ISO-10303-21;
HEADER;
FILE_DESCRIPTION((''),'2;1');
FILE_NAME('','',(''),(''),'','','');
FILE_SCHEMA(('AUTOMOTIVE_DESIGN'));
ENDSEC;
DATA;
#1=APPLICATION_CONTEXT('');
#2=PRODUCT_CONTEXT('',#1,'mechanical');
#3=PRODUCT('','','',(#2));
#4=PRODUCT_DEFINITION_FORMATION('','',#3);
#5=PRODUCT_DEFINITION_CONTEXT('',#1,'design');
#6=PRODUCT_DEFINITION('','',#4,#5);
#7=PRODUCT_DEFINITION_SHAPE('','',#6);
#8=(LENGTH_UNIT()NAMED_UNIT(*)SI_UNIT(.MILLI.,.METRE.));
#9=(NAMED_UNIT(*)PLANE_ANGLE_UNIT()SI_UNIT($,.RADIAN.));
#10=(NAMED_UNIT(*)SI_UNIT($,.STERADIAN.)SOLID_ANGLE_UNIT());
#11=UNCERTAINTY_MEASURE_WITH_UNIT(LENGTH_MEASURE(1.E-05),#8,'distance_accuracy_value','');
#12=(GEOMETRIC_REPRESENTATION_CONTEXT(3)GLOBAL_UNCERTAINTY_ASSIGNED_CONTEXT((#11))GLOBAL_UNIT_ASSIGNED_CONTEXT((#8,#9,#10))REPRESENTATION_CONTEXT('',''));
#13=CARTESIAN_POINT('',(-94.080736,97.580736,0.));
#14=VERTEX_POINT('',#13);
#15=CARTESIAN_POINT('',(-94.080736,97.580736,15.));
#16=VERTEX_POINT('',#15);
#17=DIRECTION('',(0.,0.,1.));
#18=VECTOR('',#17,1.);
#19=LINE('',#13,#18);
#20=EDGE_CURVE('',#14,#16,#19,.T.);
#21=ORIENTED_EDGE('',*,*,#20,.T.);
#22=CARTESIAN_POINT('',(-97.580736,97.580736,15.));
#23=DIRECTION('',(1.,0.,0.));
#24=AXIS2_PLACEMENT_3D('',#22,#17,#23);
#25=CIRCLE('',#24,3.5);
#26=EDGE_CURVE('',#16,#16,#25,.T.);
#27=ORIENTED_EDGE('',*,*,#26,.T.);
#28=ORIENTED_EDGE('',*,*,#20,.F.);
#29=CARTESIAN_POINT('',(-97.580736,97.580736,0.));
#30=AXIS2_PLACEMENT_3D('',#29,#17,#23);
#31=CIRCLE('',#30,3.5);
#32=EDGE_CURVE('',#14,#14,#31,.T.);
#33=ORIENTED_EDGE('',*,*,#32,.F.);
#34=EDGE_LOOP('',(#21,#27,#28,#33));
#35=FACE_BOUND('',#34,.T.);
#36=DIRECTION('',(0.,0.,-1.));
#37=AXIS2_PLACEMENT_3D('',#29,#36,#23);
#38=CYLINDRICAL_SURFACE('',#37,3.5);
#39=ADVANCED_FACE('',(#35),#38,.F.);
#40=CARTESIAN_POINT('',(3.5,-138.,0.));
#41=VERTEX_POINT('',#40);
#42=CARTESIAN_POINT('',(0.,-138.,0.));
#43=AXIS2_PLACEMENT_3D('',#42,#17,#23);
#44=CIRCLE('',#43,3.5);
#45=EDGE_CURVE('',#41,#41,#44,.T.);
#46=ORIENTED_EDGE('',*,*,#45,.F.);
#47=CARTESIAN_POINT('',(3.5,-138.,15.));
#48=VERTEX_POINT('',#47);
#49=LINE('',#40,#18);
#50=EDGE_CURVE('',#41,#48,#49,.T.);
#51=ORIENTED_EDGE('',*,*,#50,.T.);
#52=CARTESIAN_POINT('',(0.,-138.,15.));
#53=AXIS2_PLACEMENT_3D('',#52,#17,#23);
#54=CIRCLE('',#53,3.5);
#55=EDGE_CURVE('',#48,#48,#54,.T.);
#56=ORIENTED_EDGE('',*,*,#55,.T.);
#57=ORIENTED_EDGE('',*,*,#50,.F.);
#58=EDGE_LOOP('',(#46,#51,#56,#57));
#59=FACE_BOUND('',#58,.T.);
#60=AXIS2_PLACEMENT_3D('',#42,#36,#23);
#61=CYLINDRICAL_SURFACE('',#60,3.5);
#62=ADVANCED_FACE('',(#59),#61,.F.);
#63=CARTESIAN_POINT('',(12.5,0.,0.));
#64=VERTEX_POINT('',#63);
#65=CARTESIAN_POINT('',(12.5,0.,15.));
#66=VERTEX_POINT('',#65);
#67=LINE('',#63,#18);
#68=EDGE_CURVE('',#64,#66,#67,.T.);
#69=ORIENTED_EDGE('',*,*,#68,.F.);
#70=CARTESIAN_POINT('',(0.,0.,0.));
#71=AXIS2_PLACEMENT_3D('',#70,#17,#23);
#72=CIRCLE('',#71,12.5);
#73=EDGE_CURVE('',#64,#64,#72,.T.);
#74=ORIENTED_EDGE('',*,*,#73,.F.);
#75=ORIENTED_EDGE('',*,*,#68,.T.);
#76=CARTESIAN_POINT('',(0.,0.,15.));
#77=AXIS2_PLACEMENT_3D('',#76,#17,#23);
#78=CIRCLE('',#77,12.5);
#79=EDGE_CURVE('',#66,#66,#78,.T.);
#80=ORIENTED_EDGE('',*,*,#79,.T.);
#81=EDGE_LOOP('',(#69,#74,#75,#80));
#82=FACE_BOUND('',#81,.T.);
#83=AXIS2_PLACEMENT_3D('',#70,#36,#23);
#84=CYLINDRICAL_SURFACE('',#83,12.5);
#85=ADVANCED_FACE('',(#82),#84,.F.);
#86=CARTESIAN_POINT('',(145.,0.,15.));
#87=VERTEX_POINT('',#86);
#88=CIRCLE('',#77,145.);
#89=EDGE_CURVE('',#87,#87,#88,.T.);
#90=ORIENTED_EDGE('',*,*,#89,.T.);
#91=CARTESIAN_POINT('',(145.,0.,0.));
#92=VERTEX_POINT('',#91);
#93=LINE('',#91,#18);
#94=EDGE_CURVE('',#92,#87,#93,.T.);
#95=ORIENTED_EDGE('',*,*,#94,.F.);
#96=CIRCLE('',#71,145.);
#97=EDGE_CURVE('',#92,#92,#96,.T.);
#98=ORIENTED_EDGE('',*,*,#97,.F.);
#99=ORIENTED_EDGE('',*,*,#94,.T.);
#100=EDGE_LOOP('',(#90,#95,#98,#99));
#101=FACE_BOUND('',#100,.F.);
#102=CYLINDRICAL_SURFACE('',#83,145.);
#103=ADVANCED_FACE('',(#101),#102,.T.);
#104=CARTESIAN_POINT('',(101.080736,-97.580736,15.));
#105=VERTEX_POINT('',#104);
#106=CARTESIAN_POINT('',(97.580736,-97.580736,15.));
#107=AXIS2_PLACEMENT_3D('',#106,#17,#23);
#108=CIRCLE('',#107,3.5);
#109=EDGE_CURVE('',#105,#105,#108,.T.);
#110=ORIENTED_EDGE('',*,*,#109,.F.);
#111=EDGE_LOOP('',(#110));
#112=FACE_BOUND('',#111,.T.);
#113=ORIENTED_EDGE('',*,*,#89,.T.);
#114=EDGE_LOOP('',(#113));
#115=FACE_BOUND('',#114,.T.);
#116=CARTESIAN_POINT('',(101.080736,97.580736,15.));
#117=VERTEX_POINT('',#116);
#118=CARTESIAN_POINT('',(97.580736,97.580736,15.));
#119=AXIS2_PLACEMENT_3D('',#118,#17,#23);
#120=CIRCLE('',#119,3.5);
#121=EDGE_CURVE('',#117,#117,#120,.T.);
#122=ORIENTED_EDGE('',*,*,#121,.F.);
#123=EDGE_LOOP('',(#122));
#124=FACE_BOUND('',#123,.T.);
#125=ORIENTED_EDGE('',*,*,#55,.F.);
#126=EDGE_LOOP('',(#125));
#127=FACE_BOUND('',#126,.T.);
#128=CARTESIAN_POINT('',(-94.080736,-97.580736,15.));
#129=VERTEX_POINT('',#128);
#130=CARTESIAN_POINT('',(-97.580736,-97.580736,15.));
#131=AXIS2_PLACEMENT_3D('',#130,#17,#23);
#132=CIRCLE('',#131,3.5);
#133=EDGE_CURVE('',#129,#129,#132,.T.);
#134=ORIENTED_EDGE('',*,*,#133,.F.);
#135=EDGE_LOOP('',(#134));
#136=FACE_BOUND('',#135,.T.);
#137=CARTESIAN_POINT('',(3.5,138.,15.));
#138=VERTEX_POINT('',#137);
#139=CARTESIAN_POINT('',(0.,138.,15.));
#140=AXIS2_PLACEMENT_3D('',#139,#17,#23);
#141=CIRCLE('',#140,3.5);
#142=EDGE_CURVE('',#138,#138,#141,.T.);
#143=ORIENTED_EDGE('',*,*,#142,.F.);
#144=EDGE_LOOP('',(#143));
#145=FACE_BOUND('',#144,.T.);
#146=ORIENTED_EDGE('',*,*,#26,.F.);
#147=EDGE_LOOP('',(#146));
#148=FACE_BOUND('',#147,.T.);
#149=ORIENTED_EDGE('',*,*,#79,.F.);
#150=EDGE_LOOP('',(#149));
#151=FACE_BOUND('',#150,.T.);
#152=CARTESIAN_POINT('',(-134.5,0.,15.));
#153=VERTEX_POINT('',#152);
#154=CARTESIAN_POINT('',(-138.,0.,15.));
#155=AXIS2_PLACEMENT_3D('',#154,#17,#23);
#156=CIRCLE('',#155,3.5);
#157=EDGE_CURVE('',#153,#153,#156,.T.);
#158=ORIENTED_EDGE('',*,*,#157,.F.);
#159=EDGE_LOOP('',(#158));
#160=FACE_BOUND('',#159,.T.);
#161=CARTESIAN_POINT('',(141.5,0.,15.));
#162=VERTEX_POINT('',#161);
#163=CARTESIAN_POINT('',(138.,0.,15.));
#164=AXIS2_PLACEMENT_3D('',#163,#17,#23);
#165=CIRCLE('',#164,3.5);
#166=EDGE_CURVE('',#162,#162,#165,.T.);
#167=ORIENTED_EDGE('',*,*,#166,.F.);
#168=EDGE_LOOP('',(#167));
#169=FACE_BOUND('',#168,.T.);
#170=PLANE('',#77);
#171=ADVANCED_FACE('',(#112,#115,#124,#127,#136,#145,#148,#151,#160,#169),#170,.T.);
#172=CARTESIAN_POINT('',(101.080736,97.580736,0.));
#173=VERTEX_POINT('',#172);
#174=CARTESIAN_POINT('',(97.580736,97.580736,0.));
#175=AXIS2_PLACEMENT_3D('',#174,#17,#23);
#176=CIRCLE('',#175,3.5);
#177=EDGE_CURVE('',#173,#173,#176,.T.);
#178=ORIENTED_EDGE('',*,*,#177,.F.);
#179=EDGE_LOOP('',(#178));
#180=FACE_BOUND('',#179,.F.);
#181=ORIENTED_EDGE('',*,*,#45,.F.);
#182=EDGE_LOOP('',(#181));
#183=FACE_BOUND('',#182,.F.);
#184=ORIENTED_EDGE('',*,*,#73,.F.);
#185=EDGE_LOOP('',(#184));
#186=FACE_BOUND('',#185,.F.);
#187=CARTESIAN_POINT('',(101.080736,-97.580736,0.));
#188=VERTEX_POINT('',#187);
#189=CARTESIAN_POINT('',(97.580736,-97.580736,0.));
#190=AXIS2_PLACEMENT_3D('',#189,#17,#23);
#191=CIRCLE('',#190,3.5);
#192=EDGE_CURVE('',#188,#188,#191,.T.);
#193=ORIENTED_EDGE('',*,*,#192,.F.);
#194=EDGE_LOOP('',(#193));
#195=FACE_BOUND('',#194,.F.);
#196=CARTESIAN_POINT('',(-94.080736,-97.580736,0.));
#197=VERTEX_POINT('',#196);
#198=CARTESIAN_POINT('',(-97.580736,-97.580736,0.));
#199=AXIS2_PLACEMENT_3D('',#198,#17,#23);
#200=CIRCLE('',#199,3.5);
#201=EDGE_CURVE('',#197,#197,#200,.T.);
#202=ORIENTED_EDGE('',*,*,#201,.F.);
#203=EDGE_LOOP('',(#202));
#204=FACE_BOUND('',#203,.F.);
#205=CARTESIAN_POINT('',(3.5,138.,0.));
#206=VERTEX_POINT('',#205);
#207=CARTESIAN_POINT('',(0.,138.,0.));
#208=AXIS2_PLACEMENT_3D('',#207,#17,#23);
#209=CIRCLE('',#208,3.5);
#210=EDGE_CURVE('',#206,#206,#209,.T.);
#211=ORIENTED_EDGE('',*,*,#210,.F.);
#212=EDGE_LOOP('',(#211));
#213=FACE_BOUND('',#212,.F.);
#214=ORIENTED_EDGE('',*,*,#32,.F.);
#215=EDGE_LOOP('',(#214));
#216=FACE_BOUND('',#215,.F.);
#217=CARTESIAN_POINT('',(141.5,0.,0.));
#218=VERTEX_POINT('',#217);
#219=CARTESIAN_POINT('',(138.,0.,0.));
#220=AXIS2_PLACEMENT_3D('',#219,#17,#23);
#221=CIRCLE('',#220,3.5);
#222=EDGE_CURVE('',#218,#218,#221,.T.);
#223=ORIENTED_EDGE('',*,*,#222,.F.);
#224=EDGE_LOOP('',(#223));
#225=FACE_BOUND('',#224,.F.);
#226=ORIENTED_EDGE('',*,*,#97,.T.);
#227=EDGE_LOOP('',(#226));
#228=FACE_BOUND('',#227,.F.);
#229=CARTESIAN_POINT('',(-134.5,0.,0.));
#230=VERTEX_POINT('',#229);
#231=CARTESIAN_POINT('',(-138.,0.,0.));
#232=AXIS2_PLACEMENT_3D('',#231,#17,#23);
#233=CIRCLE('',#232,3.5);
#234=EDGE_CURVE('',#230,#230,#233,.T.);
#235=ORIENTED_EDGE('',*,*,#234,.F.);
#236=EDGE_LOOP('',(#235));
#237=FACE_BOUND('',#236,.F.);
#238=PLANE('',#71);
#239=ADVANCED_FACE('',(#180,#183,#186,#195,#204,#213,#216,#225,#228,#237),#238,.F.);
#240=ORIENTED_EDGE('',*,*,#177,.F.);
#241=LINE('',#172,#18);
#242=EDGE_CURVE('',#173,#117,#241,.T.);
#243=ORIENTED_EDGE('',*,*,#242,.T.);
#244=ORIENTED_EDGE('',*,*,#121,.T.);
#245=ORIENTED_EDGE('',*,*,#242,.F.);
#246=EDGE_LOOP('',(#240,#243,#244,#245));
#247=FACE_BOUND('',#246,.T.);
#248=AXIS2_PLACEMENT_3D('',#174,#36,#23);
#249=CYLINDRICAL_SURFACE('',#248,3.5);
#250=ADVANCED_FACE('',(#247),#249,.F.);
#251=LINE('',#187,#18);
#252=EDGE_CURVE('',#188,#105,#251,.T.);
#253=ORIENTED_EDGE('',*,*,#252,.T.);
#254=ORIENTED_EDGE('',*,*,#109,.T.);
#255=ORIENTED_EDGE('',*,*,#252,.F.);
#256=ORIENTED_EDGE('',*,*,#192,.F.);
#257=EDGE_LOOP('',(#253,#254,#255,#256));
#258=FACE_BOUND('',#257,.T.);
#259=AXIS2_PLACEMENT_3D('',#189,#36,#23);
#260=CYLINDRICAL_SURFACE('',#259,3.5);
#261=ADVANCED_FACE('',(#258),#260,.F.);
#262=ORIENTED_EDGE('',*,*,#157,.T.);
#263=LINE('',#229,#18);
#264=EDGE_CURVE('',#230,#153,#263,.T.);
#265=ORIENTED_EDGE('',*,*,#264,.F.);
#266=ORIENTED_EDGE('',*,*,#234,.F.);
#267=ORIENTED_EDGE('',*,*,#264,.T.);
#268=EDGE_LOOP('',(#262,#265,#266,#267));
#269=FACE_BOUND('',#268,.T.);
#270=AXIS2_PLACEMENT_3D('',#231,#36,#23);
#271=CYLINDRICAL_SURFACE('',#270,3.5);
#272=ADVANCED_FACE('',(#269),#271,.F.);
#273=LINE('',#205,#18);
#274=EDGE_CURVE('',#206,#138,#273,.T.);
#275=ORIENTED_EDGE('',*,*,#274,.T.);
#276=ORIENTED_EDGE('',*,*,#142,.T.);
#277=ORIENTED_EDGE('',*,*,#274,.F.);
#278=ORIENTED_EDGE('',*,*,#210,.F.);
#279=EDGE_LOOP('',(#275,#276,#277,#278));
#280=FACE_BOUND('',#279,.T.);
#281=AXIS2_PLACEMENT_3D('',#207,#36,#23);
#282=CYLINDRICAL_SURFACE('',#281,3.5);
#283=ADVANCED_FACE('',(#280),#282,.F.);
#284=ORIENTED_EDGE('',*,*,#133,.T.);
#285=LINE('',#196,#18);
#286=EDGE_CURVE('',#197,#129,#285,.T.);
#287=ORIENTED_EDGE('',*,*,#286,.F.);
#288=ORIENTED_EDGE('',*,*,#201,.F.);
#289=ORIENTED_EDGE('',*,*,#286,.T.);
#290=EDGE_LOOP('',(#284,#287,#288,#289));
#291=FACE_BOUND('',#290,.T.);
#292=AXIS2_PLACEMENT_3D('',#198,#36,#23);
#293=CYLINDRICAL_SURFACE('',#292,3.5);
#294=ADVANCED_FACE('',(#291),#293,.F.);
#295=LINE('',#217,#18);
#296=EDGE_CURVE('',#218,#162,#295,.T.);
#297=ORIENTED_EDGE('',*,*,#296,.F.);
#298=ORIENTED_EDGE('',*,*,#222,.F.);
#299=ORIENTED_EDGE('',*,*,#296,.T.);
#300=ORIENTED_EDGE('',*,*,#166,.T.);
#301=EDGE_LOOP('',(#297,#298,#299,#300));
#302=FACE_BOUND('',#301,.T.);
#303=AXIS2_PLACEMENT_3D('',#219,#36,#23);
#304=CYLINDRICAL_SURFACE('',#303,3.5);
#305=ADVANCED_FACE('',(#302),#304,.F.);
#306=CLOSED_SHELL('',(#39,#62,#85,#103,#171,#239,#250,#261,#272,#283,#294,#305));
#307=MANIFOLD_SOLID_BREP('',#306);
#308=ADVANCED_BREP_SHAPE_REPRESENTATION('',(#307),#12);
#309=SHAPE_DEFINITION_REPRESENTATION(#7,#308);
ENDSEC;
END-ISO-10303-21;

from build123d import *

# Parameters (mm, degrees)
F0_R     = 145
F0_R_2   = 3.5
F0_R_3   = 12.5
F1_DEPTH = 15


with BuildPart() as f1:
    # F0 (on Top) → F1 (new body)
    with BuildSketch(Plane.XY):
        Circle(F0_R)
        with Locations((-97.580736, -97.580736)):
            Circle(F0_R_2, mode=Mode.SUBTRACT)
        with Locations((0, -138)):
            Circle(F0_R_2, mode=Mode.SUBTRACT)
        with Locations((97.580736, -97.580736)):
            Circle(F0_R_2, mode=Mode.SUBTRACT)
        with Locations((-138, 0)):
            Circle(F0_R_2, mode=Mode.SUBTRACT)
        with Locations((-97.580736, 97.580736)):
            Circle(F0_R_2, mode=Mode.SUBTRACT)
        Circle(F0_R_3, mode=Mode.SUBTRACT)
        with Locations((138, 0)):
            Circle(F0_R_2, mode=Mode.SUBTRACT)
        with Locations((0, 138)):
            Circle(F0_R_2, mode=Mode.SUBTRACT)
        with Locations((97.580736, 97.580736)):
            Circle(F0_R_2, mode=Mode.SUBTRACT)
    extrude(amount=F1_DEPTH)


solid = f1.part
